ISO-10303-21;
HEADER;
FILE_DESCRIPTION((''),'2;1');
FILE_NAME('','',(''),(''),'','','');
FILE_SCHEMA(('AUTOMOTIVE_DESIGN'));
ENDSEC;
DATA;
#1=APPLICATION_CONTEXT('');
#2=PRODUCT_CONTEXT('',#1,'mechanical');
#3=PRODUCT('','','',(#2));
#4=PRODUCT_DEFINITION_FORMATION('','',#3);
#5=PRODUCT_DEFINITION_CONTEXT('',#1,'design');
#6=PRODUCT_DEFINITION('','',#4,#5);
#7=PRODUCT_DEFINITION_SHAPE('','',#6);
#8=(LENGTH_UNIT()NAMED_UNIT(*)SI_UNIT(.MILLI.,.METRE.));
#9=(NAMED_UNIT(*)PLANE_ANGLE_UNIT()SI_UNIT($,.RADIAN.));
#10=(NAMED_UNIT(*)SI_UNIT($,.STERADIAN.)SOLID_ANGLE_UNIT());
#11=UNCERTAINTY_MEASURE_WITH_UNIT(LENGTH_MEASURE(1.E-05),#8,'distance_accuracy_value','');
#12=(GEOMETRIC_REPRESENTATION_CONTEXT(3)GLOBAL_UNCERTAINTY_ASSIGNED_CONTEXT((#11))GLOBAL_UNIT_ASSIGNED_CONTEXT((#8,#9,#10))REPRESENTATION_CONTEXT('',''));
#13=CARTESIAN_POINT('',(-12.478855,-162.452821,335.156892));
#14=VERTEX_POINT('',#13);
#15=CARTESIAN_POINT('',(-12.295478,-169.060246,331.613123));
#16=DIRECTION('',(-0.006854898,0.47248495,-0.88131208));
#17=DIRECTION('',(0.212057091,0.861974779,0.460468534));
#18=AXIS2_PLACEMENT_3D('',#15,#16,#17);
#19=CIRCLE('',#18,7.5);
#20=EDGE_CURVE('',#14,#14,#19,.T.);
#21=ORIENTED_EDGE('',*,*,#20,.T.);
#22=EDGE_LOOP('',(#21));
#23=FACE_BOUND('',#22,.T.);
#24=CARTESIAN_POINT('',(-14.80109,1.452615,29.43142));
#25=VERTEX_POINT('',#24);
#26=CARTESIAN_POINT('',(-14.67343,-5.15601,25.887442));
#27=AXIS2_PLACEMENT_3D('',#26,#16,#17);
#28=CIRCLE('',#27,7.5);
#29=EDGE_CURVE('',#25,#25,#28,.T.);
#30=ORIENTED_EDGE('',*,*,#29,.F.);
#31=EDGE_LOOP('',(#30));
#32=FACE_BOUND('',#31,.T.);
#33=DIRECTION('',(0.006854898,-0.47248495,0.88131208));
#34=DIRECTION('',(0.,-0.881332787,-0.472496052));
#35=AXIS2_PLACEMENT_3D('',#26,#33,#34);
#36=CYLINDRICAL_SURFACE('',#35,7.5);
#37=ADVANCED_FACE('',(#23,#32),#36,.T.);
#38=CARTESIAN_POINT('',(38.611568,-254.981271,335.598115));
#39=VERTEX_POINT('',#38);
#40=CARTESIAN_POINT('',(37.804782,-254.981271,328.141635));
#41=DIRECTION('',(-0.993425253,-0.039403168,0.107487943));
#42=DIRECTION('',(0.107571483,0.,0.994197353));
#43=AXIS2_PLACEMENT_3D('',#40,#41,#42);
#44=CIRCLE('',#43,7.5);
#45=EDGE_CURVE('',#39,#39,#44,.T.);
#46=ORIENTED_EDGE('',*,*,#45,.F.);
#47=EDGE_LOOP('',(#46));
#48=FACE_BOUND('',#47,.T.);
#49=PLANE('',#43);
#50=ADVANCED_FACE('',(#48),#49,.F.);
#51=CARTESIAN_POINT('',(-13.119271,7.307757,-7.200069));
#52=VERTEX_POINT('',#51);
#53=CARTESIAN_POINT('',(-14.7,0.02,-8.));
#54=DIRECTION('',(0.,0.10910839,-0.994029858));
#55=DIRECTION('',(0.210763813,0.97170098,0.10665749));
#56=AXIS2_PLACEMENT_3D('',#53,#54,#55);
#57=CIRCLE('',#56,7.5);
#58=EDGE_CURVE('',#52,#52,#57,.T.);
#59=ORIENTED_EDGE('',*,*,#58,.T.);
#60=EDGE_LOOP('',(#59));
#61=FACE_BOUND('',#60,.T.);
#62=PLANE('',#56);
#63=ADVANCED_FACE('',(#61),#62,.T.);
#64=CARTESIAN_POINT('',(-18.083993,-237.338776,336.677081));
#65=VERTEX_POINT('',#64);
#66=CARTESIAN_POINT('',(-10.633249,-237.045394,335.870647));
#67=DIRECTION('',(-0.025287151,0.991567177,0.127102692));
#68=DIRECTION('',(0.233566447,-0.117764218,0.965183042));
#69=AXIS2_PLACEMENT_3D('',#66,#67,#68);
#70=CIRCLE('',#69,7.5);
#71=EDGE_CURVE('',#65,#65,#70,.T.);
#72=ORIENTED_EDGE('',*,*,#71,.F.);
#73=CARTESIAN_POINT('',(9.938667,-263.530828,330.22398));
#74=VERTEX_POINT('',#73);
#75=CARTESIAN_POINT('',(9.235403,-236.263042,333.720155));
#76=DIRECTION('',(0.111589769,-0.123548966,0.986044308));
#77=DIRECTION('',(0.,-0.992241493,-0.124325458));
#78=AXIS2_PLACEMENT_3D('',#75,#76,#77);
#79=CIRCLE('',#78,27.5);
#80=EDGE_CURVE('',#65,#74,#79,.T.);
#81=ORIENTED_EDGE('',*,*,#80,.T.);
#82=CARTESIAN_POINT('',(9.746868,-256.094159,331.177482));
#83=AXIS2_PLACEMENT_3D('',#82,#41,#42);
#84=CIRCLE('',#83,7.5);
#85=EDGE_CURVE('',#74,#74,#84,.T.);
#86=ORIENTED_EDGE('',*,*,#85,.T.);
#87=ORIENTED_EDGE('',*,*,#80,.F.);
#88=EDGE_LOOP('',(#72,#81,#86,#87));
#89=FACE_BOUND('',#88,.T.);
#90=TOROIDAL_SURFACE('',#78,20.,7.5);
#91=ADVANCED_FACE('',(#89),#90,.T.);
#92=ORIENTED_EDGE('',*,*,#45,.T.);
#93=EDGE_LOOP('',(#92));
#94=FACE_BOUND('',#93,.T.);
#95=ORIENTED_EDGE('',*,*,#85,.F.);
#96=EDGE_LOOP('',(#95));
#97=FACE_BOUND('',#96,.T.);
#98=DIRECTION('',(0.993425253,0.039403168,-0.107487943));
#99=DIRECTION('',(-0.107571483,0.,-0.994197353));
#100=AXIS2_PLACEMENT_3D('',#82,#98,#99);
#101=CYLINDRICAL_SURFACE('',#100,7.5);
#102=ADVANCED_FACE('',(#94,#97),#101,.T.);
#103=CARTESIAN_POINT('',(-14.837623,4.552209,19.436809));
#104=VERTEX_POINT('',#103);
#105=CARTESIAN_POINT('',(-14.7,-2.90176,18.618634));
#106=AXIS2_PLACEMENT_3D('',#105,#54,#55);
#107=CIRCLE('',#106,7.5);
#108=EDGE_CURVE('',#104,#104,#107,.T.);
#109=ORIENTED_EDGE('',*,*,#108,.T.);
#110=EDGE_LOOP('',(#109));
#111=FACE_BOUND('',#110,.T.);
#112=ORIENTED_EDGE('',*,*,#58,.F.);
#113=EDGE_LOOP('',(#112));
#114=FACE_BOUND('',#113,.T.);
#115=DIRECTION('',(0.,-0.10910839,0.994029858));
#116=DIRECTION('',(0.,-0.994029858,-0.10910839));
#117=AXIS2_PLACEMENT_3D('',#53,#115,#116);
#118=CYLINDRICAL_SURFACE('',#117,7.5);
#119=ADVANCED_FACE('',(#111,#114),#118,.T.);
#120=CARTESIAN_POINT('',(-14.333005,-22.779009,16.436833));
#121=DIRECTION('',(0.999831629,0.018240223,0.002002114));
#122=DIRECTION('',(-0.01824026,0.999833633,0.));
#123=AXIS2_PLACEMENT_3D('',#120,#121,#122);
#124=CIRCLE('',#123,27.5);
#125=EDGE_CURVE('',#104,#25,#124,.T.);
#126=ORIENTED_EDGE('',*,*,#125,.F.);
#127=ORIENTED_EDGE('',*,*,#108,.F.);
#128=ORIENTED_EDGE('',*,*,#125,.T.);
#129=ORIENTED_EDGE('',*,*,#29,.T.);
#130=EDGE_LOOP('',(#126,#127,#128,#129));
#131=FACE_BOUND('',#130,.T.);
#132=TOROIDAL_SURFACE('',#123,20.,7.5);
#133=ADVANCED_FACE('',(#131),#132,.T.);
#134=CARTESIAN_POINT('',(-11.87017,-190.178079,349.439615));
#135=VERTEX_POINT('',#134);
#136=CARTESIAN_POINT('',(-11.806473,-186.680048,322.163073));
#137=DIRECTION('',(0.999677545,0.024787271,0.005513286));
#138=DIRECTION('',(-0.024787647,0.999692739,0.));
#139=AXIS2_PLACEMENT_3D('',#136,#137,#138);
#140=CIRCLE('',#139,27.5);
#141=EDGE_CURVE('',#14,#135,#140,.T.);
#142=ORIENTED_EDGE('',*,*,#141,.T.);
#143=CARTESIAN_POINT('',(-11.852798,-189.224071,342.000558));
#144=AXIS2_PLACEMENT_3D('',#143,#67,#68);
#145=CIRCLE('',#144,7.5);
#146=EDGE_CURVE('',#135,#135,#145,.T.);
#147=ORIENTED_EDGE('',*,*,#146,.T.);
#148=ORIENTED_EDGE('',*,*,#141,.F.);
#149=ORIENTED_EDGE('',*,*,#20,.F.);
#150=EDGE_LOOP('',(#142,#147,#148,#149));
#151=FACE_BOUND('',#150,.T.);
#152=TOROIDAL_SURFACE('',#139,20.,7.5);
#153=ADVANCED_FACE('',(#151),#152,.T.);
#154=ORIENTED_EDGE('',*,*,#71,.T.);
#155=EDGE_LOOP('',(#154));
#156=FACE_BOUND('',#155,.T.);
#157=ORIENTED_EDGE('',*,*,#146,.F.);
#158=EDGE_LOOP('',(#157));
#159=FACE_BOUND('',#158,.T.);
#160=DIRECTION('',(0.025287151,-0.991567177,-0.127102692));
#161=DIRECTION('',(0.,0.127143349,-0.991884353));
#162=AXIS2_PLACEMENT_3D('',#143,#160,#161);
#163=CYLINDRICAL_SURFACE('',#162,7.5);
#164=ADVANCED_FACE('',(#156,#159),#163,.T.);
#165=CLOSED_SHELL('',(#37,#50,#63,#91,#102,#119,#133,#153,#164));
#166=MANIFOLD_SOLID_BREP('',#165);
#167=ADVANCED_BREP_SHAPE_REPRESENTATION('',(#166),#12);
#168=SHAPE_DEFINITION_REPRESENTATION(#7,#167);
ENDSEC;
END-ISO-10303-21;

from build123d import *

# Parameters (mm, degrees)
SWEEP1_PROFILE_R = 7.5


with BuildPart() as part:
    # Sweep1: sweep along a curve in space
    with BuildLine() as sweep1_path:
        Line((-14.7, 0.02, -8), (-14.7, -2.901759573, 18.618633639))
        ThreePointArc((-14.7, -2.901759573, 18.618633639), (-14.693296395, -3.68001926, 22.361254302), (-14.673430479, -5.15601006, 25.887441905))
        Line((-14.673430479, -5.15601006, 25.887441905), (-12.29547799, -169.060246353, 331.613123254))
        ThreePointArc((-12.29547799, -169.060246353, 331.613123254), (-12.131464232, -177.527758085, 339.943116986), (-11.852797962, -189.224070886, 342.000557874))
        Line((-11.852797962, -189.224070886, 342.000557874), (-10.633248683, -237.045393829, 335.87064651))
        ThreePointArc((-10.633248683, -237.045393829, 335.87064651), (-4.454166425, -250.841065045, 333.442800973), (9.746867752, -256.094158993, 331.177482436))
        Line((9.746867752, -256.094158993, 331.177482436), (37.804782017, -254.981271323, 328.14163503))
    # Sweep1 profile (on start of the path) → Sweep1 (sweep)
    with BuildSketch(Plane(origin=(-14.7, 0.02, -8), x_dir=(0, 0.9940298583451032, 0.1091083897709708), z_dir=(0, -0.1091083897709708, 0.9940298583451032))):
        Circle(SWEEP1_PROFILE_R)
    sweep(path=sweep1_path.line)


solid = part.part
